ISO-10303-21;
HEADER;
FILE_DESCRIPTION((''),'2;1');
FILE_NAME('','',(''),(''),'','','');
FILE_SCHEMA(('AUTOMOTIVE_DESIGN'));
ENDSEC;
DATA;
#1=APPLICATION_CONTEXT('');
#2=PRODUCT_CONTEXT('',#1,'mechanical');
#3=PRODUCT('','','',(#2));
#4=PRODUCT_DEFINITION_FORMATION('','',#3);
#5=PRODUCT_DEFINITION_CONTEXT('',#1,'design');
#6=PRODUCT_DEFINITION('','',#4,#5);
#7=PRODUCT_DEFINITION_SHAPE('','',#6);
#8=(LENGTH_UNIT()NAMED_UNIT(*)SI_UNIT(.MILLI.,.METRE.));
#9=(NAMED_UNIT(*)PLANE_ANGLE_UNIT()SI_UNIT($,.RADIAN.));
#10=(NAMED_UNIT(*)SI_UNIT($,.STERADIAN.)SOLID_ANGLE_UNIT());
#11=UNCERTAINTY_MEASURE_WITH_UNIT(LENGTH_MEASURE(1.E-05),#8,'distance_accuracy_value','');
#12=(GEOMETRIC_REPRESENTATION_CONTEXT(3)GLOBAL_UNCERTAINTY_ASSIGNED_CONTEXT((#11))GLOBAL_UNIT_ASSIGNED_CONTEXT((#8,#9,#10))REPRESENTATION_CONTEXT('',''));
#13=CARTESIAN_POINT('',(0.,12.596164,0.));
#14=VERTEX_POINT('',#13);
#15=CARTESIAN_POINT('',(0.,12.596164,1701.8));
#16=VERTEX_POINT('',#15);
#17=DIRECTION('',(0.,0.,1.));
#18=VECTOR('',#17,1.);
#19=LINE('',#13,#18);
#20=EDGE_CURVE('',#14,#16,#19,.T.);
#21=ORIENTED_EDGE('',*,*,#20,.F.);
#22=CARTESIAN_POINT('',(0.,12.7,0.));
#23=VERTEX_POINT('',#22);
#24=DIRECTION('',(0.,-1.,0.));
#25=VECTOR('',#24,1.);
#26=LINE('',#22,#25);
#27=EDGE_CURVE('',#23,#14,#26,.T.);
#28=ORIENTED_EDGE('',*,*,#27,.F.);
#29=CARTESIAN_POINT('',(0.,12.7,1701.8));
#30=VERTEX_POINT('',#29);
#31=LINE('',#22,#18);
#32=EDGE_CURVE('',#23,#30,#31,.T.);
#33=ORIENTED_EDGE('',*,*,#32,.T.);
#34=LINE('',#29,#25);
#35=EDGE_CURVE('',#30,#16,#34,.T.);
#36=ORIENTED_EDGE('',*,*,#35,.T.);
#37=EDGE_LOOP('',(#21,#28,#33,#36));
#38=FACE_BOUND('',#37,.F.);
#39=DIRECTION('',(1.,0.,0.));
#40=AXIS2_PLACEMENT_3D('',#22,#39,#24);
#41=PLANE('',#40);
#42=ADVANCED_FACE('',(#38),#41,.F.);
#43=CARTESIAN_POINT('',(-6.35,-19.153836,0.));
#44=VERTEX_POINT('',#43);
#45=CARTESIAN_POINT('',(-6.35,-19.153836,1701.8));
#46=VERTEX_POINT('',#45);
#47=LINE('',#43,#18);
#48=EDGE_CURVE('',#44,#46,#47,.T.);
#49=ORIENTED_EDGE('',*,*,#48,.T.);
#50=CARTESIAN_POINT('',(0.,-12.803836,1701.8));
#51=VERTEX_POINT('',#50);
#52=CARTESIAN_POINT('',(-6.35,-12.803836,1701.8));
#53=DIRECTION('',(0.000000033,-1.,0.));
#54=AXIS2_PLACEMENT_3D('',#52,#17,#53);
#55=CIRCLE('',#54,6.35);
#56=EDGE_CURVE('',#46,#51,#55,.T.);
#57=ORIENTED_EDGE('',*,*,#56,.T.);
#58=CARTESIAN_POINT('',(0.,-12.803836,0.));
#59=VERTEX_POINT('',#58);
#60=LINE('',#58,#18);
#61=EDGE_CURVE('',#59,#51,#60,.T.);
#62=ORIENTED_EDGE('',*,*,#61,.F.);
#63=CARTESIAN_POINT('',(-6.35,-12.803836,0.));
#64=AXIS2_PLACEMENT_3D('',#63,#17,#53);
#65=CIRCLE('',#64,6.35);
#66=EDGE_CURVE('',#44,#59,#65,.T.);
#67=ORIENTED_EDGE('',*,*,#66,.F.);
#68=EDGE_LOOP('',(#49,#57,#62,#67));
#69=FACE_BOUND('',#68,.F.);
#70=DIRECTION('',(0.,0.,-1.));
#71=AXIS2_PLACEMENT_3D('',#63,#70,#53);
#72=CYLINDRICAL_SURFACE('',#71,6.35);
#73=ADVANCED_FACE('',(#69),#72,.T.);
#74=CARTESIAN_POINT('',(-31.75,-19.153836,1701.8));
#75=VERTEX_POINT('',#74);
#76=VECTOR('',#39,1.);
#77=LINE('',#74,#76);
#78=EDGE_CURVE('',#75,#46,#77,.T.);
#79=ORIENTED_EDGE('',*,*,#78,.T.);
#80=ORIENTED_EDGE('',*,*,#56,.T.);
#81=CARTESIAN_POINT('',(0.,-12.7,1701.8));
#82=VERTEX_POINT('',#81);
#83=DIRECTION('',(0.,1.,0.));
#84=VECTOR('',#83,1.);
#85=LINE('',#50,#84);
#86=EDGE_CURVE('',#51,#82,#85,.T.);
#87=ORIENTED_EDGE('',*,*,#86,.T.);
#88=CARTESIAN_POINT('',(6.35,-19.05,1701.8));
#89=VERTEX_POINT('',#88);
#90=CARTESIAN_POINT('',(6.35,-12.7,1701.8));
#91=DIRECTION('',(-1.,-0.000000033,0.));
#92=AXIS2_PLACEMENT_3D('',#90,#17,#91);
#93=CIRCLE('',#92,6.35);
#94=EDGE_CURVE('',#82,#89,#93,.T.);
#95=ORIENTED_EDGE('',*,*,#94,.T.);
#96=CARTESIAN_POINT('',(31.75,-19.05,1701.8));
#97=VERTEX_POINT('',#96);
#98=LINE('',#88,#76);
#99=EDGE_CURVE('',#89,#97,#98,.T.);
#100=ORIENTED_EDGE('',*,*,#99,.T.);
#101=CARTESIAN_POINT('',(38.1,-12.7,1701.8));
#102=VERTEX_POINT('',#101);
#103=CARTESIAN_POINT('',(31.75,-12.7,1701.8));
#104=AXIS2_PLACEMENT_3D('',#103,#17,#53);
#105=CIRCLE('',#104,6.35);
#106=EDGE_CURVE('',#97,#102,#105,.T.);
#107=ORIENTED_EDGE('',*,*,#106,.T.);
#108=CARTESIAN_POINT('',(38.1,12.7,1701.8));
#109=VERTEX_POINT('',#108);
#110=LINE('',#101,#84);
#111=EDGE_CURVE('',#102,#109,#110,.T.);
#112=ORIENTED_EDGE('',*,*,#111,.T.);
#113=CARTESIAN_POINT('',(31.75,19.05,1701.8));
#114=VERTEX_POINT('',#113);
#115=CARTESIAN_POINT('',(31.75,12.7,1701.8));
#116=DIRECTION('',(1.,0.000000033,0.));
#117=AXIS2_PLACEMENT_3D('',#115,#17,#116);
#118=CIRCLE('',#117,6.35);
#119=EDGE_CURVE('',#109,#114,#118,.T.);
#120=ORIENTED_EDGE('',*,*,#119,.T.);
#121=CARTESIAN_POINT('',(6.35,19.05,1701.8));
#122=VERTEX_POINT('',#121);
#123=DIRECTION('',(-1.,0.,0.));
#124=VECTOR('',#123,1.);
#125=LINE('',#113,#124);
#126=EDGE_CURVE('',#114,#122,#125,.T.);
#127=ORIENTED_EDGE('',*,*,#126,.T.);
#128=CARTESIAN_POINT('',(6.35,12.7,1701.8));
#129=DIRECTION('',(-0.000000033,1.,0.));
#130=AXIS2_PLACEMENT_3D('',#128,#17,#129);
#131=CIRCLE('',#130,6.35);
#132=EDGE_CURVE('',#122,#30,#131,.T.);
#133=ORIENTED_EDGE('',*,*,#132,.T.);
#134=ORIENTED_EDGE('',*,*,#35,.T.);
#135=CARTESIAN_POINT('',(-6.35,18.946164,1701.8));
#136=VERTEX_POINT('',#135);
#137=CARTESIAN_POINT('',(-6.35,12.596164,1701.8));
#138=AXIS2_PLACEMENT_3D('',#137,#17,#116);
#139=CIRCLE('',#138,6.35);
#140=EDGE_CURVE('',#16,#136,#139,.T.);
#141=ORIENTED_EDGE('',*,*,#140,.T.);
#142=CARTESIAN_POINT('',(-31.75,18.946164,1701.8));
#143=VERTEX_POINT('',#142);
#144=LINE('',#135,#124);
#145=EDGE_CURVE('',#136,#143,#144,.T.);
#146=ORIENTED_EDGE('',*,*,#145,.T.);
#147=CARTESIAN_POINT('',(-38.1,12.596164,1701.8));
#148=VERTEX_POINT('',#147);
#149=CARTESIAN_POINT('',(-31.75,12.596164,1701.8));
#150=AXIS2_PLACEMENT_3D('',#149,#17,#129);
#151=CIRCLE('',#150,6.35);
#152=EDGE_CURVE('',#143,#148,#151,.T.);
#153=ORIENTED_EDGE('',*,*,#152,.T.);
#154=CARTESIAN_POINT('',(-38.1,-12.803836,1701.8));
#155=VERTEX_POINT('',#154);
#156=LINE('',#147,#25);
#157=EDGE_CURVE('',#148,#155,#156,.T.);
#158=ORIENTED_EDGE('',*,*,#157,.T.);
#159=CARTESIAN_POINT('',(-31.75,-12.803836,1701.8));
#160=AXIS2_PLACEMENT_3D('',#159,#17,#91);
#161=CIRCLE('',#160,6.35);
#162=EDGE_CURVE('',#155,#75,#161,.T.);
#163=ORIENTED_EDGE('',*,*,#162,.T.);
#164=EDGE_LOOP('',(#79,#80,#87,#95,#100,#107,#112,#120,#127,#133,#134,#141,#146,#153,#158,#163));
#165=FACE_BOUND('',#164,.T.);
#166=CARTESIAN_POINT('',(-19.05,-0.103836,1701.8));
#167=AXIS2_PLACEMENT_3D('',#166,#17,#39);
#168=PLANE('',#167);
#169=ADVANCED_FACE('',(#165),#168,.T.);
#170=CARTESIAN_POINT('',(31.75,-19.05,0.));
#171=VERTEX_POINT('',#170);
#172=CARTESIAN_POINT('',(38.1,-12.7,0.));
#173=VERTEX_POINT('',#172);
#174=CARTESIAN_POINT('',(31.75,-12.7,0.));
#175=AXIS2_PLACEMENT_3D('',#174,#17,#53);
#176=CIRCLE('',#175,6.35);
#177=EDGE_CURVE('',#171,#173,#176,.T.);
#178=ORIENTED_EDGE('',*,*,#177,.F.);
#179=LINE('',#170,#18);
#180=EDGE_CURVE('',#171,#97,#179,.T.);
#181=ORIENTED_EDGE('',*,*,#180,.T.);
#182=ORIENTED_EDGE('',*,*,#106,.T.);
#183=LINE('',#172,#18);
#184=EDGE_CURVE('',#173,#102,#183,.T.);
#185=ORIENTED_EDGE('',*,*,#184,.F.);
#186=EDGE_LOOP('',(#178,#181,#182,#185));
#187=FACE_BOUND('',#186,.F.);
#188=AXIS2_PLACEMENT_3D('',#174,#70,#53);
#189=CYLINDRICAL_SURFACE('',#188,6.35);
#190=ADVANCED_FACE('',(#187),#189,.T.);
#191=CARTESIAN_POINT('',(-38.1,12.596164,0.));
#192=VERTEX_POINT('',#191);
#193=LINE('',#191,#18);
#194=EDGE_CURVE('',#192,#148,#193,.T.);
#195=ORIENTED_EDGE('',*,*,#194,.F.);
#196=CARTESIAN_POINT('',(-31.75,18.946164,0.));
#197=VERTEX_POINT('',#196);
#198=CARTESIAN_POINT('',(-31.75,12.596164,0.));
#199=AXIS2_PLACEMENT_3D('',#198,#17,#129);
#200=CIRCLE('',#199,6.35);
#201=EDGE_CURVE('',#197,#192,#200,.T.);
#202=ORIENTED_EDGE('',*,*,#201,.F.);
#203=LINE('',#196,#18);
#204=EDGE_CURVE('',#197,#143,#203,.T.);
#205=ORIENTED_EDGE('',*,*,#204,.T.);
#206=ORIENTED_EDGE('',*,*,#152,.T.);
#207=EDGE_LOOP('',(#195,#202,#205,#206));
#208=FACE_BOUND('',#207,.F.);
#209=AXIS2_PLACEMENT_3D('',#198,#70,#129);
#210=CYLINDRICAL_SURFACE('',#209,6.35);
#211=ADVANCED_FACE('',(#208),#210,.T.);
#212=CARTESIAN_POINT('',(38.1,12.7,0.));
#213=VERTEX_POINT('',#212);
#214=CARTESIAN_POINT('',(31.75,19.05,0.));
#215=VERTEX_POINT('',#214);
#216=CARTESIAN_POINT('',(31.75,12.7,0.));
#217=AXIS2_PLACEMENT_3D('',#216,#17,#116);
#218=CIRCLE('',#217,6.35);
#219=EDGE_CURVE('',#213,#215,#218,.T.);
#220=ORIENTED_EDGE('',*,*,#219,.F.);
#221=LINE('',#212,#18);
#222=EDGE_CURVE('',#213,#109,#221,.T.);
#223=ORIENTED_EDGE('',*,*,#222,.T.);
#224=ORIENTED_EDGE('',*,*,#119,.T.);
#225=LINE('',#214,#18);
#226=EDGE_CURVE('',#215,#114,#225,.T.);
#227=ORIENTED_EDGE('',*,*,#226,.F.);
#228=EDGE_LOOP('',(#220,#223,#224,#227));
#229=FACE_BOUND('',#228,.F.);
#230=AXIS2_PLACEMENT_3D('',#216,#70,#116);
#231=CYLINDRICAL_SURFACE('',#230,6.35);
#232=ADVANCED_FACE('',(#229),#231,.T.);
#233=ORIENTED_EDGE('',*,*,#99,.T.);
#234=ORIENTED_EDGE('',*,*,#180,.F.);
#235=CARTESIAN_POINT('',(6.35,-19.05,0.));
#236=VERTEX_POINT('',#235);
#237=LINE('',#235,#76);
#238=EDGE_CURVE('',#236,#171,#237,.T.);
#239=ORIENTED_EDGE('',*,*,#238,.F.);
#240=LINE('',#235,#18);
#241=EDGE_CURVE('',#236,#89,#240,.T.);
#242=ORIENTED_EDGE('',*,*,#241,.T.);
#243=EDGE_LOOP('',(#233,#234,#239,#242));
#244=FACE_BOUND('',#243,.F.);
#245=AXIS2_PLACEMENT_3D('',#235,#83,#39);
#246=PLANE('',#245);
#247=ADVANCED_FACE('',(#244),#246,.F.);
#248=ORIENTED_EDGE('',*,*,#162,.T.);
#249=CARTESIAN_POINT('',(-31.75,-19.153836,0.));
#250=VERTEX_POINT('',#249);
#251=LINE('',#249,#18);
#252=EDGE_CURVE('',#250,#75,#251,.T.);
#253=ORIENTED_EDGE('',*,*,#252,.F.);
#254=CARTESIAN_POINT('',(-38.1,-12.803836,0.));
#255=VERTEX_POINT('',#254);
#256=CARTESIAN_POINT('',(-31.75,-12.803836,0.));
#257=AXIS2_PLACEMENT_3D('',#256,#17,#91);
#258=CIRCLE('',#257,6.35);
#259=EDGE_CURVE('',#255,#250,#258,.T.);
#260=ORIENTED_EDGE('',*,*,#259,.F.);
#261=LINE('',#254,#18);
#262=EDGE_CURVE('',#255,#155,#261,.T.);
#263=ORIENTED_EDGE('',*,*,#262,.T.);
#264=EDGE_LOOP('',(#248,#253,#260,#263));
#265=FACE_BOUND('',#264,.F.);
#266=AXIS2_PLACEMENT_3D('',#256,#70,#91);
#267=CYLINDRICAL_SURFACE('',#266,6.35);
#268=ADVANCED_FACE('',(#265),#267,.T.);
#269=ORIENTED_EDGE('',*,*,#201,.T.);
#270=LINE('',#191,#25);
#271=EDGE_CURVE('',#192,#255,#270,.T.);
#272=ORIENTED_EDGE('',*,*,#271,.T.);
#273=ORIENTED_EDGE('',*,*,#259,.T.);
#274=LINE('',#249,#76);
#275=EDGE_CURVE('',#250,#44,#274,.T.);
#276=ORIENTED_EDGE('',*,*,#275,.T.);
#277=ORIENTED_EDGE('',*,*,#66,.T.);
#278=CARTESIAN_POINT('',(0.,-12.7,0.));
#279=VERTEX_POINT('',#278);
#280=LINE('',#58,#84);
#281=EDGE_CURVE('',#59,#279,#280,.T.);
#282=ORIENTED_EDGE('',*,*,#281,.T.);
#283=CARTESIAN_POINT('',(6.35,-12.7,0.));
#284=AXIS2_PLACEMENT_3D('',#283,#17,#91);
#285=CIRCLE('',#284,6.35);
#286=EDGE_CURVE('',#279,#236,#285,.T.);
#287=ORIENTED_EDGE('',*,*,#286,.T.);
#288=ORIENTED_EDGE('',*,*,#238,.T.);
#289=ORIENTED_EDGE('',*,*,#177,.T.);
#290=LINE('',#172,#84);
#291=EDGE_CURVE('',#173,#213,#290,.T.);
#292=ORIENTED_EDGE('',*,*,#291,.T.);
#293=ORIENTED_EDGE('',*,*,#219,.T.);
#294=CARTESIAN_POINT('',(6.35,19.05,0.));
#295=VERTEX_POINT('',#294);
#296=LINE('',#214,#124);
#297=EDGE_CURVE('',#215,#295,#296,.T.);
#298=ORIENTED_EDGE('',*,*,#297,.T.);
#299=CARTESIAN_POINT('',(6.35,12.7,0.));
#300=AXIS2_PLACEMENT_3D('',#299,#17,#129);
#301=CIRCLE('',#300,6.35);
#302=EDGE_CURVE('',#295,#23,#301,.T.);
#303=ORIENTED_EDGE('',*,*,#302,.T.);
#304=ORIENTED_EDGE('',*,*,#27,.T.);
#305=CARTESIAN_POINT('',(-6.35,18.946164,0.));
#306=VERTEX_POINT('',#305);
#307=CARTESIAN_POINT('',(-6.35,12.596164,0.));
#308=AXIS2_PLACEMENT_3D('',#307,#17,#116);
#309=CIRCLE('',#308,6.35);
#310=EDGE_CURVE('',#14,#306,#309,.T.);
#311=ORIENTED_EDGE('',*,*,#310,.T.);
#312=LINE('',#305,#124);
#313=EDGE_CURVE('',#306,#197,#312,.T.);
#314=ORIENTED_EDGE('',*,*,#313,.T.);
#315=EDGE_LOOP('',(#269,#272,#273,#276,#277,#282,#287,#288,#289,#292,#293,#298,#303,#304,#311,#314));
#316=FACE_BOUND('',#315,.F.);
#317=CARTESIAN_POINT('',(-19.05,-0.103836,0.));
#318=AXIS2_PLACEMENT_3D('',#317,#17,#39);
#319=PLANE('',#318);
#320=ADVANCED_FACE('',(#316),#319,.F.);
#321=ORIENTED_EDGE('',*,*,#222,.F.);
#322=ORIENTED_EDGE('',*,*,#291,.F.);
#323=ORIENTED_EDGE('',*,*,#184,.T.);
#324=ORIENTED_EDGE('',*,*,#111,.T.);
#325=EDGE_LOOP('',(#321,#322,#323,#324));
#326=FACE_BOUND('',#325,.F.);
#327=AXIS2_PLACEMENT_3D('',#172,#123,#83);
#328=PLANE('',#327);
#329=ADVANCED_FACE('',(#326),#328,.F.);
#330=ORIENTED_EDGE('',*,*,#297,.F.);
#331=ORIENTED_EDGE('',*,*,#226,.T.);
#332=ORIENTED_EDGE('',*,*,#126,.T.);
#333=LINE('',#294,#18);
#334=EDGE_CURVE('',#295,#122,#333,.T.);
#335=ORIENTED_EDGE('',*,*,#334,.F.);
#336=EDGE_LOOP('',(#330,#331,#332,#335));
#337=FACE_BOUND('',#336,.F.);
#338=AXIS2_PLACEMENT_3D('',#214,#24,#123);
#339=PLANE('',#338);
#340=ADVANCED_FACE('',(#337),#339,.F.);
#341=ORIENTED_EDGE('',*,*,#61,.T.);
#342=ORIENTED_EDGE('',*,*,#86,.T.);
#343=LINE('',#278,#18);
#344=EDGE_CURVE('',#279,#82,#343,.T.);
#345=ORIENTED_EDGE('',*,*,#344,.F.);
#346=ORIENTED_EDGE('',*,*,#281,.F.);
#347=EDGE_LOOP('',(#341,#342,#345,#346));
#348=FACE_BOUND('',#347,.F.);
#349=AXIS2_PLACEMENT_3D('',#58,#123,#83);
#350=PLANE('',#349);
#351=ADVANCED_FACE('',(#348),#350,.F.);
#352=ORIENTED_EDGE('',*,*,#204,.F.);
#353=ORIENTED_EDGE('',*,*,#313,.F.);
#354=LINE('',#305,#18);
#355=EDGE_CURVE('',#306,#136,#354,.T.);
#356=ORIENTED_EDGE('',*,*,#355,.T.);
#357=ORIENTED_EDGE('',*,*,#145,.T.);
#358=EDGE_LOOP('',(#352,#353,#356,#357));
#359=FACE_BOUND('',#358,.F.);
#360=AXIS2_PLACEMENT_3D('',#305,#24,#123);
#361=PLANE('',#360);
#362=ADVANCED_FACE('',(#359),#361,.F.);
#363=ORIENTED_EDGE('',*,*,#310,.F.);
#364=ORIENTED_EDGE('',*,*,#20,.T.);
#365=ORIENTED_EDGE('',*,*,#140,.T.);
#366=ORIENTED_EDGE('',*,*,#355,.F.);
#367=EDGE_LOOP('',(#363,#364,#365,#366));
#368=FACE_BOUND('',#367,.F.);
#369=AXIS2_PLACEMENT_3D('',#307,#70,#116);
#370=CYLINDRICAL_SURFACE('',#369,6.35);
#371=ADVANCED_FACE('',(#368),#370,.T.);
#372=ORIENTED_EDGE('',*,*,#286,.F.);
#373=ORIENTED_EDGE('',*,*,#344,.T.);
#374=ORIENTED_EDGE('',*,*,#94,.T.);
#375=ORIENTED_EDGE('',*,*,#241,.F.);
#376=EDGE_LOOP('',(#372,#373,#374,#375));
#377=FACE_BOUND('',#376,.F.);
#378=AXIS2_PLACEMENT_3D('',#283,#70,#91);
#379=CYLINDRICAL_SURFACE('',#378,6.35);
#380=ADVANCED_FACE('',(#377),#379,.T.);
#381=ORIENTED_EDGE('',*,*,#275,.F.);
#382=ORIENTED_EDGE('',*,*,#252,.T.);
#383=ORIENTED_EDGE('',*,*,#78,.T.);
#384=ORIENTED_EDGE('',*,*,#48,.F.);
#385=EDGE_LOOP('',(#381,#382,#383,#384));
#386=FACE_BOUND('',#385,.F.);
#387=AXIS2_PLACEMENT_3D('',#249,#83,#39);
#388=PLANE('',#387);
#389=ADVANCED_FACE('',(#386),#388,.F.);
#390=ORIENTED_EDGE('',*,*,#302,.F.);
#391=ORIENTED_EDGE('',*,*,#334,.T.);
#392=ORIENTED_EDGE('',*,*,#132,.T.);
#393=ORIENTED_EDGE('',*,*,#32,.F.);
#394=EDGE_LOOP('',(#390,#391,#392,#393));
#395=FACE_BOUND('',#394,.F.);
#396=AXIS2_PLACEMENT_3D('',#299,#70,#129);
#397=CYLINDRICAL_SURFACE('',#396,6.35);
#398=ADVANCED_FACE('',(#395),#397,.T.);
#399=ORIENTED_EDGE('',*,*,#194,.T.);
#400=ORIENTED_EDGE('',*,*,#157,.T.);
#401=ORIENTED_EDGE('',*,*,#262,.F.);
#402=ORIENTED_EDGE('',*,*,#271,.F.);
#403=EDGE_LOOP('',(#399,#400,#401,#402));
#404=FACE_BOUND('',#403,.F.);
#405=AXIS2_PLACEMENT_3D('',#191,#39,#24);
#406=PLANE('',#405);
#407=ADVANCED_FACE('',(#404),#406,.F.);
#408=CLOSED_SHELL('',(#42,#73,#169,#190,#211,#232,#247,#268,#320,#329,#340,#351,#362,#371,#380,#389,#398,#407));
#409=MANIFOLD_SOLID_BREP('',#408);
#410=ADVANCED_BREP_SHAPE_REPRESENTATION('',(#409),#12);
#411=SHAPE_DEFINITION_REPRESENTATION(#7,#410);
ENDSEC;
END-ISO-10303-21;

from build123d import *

# Parameters (mm, degrees)
F1_DEPTH = 1701.8


with BuildPart() as f1:
    # F0 (on Top) → F1 (new body)
    with BuildSketch(Plane.XY):
        with BuildLine():
            ThreePointArc((0, 12.596164), (-1.859872, 17.086292), (-6.35, 18.946164))
            Line((-6.35, 18.946164), (-31.75, 18.946164))
            ThreePointArc((-31.75, 18.946164), (-36.240128, 17.086292), (-38.1, 12.596164))
            Line((-38.1, 12.596164), (-38.1, -12.803836))
            ThreePointArc((-38.1, -12.803836), (-36.240128, -17.293964), (-31.75, -19.153836))
            Line((-31.75, -19.153836), (-6.35, -19.153836))
            ThreePointArc((-6.35, -19.153836), (-1.859872, -17.293964), (0, -12.803836))
            Line((0, -12.803836), (0, -12.7))
            Line((0, -12.7), (0, 12.596164))
        make_face()
        with BuildLine():
            Line((0, 12.7), (0, 12.596164))
            Line((0, 12.596164), (0, -12.7))
            ThreePointArc((0, -12.7), (1.859872, -17.190128), (6.35, -19.05))
            Line((6.35, -19.05), (31.75, -19.05))
            ThreePointArc((31.75, -19.05), (36.240128, -17.190128), (38.1, -12.7))
            Line((38.1, -12.7), (38.1, 12.7))
            ThreePointArc((38.1, 12.7), (36.240128, 17.190128), (31.75, 19.05))
            Line((31.75, 19.05), (6.35, 19.05))
            ThreePointArc((6.35, 19.05), (1.859872, 17.190128), (0, 12.7))
        make_face()
    extrude(amount=F1_DEPTH)


solid = f1.part
